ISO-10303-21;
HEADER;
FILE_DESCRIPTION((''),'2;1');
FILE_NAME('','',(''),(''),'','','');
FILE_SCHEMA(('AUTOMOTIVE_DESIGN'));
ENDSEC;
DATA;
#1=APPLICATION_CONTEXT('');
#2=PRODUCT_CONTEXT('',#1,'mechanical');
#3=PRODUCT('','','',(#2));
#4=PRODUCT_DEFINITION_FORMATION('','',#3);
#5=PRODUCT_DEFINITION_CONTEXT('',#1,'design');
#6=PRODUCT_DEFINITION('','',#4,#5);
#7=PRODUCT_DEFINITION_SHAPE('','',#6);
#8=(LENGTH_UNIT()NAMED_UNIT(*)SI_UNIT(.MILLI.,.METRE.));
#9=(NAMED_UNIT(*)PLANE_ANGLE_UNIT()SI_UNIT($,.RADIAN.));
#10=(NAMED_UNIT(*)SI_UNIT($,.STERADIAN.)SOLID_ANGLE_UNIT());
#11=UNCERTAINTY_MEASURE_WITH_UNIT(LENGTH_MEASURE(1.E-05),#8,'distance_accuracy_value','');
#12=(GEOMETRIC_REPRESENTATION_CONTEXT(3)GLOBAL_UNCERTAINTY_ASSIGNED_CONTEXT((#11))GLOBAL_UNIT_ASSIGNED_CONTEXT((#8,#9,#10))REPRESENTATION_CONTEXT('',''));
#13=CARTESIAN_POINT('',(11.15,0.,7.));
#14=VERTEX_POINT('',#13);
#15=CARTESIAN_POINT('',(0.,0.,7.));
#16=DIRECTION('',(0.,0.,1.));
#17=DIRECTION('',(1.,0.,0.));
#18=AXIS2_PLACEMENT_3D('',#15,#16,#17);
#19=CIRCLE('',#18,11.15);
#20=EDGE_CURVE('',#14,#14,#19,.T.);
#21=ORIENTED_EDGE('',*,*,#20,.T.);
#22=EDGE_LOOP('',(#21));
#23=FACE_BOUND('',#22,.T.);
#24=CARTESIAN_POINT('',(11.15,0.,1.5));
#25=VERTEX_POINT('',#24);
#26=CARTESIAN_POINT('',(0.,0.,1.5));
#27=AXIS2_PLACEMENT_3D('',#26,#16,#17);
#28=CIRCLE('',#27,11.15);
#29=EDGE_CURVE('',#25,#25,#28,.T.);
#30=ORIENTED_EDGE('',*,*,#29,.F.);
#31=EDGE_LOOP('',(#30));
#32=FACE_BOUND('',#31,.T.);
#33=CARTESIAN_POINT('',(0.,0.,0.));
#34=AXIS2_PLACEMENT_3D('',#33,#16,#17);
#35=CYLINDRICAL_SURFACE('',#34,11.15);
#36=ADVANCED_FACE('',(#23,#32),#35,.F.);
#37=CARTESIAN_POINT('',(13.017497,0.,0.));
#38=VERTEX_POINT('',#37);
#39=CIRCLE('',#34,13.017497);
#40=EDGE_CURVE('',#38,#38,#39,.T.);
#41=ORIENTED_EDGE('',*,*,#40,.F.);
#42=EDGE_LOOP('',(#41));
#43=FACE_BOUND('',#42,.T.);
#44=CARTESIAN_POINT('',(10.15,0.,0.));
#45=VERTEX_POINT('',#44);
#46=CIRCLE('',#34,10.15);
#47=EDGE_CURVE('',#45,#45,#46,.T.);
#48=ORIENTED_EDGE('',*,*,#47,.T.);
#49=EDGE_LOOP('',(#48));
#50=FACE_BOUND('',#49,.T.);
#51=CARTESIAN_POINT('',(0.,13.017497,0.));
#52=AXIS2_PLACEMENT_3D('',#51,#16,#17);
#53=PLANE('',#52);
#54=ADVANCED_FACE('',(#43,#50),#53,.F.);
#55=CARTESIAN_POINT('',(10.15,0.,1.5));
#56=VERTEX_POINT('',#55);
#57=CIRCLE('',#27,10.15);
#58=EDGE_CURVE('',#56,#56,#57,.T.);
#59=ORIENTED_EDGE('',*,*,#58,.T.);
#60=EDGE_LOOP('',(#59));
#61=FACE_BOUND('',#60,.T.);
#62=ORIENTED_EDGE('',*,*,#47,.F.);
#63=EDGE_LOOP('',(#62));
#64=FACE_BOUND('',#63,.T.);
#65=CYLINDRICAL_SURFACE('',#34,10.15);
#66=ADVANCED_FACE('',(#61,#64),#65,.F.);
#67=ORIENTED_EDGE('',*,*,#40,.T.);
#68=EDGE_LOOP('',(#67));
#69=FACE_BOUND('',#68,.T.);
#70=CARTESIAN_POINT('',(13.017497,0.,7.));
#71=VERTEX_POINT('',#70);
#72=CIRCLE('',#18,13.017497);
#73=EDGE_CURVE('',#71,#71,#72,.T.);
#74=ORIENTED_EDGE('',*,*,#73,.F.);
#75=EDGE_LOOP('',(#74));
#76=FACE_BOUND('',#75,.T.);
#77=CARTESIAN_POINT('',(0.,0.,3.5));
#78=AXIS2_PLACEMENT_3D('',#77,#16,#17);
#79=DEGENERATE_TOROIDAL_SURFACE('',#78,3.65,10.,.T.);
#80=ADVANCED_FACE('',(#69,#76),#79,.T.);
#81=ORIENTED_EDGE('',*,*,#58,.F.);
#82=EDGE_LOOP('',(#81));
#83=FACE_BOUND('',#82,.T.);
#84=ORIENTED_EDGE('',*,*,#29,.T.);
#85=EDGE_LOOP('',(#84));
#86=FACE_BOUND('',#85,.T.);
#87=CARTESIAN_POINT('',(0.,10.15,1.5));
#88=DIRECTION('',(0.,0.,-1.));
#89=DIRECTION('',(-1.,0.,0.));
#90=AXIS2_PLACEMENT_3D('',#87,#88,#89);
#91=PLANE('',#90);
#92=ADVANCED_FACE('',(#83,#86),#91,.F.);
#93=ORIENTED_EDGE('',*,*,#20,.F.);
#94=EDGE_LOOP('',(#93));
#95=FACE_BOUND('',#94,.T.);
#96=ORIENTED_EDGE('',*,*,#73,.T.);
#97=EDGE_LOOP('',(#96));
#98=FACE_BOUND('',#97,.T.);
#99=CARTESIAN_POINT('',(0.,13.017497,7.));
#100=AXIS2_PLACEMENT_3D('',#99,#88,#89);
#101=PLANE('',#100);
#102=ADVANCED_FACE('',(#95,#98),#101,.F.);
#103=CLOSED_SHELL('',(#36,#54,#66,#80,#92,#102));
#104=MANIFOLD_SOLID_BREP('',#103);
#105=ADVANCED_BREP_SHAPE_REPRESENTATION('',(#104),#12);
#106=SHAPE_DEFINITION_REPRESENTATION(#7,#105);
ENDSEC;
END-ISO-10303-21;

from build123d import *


with BuildPart() as part:
    # Sketch2 → Revolve1 (revolve)
    with BuildSketch(Plane(origin=(0, 0, 0), x_dir=(0, 0, -1), z_dir=(1, 0, 0))):
        with BuildLine():
            Line((-7, 13.017496998), (-7, 11.15))
            Line((-7, 11.15), (-1.5, 11.15))
            Line((-1.5, 11.15), (-1.5, 10.15))
            Line((-1.5, 10.15), (0, 10.15))
            Line((0, 10.15), (0, 13.017496998))
            ThreePointArc((0, 13.017496998), (-3.5, 13.65), (-7, 13.017496998))
        make_face()
    revolve(axis=Axis((0, 0, 0), (0, 0, -1)))


solid = part.part
